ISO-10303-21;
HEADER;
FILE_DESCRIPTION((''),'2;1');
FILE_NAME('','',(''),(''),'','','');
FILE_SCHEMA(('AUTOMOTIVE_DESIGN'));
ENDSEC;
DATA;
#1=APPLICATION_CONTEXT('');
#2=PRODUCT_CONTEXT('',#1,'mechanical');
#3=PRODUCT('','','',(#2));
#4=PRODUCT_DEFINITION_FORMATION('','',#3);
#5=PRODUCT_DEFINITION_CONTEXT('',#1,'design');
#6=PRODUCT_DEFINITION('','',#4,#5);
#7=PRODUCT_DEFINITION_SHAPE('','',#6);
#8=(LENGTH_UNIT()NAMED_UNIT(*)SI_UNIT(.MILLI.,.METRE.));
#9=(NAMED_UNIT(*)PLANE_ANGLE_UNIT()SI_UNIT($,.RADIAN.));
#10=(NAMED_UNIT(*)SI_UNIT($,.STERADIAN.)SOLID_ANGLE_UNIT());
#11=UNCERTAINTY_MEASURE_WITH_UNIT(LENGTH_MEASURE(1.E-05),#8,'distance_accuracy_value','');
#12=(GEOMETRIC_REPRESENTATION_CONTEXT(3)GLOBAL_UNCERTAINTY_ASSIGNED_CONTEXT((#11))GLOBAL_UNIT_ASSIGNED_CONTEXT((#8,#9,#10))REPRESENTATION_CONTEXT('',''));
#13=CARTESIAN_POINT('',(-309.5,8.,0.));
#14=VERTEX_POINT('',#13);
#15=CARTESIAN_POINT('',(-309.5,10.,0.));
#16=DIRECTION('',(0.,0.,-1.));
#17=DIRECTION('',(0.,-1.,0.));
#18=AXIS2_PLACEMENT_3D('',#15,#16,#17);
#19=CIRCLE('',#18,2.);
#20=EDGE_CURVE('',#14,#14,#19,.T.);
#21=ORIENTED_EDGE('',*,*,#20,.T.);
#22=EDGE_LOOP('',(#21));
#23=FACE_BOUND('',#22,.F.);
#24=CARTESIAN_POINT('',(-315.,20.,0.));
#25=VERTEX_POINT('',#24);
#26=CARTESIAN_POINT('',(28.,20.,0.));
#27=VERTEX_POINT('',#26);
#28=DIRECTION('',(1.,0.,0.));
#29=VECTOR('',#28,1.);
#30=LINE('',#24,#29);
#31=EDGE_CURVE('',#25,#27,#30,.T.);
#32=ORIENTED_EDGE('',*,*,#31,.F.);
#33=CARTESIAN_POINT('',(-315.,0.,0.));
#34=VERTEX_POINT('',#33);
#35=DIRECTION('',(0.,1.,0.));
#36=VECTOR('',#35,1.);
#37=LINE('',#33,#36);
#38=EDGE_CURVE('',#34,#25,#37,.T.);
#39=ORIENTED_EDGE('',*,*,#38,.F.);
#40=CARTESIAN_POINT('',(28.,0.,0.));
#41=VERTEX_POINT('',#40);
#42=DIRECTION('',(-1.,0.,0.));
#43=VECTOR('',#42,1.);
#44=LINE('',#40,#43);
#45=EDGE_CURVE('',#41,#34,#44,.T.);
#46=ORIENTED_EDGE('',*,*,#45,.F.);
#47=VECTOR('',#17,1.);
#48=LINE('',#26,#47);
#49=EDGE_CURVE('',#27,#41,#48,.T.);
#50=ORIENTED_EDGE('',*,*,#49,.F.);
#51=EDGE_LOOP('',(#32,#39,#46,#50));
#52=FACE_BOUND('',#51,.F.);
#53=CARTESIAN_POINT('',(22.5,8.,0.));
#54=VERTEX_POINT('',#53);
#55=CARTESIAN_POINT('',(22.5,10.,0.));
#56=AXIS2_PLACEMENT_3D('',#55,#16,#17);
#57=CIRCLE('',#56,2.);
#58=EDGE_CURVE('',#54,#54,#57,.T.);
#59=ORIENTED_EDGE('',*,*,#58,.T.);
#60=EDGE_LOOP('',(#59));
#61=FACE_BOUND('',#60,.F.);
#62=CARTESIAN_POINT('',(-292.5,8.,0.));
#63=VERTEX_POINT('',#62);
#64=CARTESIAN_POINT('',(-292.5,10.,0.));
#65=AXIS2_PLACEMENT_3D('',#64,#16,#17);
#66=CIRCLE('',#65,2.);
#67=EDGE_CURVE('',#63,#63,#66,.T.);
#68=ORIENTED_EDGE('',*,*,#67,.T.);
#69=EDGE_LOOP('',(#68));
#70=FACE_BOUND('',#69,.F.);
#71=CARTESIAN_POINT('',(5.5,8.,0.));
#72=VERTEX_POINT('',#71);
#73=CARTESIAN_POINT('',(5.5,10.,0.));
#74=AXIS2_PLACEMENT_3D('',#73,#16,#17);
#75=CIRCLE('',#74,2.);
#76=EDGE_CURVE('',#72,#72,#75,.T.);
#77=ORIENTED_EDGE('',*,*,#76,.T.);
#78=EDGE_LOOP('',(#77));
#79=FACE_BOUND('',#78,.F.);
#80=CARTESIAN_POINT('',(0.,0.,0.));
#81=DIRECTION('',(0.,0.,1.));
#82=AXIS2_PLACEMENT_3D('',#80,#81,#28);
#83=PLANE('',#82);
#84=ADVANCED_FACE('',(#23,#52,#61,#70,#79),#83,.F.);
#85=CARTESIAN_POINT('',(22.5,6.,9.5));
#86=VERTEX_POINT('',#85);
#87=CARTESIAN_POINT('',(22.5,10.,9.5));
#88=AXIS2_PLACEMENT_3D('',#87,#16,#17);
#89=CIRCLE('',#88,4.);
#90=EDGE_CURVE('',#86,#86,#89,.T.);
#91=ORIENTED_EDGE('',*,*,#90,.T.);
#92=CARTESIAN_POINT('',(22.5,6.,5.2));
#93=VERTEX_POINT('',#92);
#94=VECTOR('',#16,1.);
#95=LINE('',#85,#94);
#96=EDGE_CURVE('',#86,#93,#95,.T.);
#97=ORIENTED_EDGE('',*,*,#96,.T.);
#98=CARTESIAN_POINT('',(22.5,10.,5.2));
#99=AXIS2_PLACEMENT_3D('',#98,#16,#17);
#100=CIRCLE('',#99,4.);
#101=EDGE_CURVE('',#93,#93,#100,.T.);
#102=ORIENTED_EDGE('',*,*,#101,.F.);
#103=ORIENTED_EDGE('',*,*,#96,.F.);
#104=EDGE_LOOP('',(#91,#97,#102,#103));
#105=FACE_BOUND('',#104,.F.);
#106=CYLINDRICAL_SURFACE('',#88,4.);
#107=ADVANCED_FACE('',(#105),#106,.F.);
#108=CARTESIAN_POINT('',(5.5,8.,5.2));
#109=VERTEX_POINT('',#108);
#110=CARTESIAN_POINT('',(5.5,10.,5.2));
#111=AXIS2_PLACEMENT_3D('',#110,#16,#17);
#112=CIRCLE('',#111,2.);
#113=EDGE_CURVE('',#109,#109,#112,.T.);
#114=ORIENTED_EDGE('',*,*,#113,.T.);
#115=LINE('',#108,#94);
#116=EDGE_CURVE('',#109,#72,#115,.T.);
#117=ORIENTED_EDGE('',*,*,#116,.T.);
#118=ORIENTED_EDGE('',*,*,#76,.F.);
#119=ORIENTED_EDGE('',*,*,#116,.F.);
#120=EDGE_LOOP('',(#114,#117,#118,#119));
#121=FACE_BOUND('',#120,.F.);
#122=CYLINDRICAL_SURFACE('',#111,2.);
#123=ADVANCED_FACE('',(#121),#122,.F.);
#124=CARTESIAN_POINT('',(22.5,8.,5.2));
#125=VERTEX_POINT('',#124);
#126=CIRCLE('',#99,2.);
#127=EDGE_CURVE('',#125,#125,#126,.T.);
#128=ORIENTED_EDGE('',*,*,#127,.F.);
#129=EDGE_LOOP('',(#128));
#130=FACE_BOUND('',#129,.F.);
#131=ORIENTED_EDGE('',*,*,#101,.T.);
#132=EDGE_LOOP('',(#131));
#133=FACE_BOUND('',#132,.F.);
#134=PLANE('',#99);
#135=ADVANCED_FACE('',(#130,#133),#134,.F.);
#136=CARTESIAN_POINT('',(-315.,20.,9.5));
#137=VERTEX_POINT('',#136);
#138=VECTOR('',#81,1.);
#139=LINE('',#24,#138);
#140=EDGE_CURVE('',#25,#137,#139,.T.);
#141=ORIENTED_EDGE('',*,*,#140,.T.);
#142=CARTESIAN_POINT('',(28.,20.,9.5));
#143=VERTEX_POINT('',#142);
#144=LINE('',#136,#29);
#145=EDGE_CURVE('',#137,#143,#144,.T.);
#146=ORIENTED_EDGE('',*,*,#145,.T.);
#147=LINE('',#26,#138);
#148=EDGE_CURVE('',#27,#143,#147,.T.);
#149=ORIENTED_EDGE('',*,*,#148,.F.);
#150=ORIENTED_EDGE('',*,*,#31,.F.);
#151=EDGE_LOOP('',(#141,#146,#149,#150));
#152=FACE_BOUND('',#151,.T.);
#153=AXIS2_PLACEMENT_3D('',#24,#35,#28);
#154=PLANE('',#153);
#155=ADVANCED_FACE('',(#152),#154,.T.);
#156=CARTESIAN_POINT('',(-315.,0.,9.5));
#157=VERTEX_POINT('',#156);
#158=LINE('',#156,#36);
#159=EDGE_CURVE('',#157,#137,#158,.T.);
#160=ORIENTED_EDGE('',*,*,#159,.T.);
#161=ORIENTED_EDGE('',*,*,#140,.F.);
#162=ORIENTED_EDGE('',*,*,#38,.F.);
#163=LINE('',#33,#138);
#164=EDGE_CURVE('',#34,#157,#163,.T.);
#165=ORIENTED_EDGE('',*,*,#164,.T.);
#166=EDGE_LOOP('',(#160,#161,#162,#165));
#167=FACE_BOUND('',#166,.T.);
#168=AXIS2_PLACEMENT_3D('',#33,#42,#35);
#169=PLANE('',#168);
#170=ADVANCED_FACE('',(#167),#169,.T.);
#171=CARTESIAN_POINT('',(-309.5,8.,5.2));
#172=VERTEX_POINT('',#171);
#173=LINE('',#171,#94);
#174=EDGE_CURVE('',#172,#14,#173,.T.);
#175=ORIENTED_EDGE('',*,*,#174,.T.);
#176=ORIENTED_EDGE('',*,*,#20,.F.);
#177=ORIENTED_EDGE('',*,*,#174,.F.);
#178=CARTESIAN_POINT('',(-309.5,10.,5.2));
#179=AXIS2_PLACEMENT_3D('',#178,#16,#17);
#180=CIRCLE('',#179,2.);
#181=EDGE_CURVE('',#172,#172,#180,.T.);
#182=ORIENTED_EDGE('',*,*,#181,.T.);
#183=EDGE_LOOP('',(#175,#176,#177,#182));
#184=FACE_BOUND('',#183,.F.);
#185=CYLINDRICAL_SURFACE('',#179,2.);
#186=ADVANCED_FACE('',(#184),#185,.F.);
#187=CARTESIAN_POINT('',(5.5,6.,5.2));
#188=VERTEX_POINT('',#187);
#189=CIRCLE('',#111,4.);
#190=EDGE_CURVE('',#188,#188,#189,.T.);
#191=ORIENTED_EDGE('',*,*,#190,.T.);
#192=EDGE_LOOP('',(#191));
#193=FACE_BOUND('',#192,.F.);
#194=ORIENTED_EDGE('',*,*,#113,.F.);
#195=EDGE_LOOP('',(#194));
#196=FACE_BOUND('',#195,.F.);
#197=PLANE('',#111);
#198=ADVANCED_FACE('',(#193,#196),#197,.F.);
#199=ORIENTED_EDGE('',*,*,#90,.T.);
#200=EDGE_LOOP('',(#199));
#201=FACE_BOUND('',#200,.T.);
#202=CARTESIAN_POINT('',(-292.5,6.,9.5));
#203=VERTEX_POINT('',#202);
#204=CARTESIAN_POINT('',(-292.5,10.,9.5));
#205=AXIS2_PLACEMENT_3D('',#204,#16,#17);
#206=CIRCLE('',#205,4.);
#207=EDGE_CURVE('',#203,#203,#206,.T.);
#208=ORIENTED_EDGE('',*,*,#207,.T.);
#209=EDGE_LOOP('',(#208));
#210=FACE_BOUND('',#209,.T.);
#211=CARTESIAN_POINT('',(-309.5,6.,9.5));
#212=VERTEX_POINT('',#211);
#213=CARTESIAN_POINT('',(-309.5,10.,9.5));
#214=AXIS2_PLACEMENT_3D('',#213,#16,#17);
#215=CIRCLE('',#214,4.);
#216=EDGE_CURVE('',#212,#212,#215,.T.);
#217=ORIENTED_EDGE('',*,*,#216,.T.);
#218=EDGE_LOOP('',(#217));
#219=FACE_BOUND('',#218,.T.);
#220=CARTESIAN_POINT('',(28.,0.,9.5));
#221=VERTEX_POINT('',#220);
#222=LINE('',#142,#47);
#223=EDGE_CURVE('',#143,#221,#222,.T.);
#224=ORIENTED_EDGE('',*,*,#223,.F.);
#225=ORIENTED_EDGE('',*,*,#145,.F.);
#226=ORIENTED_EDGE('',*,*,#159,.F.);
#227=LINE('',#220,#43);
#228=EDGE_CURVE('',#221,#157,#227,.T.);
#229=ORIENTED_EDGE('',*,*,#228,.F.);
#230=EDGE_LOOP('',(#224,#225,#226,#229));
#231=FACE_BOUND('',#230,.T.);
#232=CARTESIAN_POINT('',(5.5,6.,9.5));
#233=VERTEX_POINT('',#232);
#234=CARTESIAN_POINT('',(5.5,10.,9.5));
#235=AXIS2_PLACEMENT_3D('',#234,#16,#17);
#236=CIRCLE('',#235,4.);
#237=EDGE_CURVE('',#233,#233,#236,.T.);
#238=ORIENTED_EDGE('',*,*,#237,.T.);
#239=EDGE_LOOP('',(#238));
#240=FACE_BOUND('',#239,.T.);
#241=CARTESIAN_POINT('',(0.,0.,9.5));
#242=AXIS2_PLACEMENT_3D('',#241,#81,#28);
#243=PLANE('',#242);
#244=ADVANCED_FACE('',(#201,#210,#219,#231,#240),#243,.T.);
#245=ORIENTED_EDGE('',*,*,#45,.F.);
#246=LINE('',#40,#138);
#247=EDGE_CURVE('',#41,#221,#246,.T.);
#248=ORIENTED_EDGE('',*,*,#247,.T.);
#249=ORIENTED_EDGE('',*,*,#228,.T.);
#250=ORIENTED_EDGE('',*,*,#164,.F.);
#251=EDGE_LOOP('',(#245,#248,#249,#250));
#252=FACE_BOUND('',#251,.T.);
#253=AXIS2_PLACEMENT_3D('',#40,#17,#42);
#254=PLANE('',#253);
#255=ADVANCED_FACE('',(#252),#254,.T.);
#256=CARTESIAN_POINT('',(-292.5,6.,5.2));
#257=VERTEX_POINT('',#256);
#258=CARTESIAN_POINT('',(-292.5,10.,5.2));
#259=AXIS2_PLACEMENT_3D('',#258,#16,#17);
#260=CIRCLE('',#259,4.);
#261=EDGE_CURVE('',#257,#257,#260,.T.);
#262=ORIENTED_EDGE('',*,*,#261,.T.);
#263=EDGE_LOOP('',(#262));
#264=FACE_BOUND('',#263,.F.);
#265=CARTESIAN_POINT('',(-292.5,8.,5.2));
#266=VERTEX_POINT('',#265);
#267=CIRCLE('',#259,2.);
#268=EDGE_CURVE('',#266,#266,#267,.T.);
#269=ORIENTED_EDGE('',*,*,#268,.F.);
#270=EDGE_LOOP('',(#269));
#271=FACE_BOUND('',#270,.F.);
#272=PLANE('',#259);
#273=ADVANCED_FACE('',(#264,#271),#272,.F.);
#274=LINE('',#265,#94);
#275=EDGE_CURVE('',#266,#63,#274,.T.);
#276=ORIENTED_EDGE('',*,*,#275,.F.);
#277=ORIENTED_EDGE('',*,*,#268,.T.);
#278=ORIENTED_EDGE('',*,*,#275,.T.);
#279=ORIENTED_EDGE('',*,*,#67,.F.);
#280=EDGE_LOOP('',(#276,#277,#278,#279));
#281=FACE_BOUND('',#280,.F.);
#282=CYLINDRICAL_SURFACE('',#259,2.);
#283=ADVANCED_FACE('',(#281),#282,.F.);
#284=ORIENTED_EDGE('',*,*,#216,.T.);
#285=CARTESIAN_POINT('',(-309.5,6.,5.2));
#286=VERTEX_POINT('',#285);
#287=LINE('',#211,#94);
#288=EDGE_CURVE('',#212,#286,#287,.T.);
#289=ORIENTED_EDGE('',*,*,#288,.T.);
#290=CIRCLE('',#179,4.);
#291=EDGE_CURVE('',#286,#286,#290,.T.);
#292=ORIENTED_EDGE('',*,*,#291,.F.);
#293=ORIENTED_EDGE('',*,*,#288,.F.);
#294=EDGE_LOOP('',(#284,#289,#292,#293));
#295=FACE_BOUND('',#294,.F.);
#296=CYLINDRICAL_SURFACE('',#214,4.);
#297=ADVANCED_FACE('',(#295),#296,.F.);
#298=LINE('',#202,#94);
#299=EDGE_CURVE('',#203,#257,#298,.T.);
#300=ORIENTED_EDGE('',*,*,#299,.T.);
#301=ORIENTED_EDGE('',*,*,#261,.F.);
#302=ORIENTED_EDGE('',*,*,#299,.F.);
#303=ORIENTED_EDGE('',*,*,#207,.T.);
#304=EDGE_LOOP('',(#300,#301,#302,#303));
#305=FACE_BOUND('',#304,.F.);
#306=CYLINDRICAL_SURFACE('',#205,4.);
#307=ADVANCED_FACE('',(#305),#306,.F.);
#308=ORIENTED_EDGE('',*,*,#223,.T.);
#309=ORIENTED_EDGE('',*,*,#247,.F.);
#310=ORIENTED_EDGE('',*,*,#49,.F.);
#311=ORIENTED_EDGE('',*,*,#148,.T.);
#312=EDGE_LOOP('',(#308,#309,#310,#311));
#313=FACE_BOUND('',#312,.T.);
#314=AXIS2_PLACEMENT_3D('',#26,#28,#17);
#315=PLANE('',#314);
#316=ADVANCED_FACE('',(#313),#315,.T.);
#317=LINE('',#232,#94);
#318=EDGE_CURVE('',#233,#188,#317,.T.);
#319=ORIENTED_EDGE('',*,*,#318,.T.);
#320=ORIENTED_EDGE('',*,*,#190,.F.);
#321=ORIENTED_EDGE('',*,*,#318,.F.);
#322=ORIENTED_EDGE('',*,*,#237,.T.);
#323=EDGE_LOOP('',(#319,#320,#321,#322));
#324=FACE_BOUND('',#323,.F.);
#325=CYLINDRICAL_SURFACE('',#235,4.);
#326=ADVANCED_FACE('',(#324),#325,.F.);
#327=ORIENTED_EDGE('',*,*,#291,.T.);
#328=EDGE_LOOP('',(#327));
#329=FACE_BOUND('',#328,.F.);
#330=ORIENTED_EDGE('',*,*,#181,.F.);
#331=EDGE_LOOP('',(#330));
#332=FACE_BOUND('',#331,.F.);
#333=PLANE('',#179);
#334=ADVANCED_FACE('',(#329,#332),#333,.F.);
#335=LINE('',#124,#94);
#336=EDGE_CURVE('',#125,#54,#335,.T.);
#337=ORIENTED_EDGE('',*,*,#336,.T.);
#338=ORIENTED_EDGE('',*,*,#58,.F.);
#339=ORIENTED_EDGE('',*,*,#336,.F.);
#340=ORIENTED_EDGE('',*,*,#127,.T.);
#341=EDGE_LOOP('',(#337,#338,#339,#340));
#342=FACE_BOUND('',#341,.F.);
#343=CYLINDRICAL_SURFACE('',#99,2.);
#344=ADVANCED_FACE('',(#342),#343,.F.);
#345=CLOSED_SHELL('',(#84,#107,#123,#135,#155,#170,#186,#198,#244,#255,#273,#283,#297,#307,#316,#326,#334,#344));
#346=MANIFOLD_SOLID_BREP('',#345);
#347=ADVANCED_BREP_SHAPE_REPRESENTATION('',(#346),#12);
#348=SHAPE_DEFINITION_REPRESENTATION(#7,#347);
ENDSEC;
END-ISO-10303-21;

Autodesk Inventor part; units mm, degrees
ref_plane "YZ Plane" through (0, 0, 0) normal (1, 0, 0) x (0, 1, 0)
ref_plane "XZ Plane" through (0, 0, 0) normal (0, 1, 0) x (-1, 0, 0)
ref_plane "XY Plane" through (0, 0, 0) normal (0, 0, 1) x (1, 0, 0)
sketch "Esboço1" plane through (0, 0, 0) normal (0, 0, 1) x (1, 0, 0)
  circle A0 centre (5.5, 10) radius 1.621 construction
  circle A1 centre (22.5, 10) radius 1.621 construction
  line L0 (28, 0) -> (0, 0) construction
  line L1 (28, 0) -> (28, 20) construction
  line L2 (0, 20) -> (28, 20) construction
  line L3 (0, 0) -> (0, 20) construction
  circle A2 centre (-309.5, 10) radius 1.621 construction
  circle A3 centre (-292.5, 10) radius 1.621 construction
  line L4 (-287, 0) -> (-315, 0) construction
  line L5 (-287, 0) -> (-287, 20) construction
  line L6 (-315, 20) -> (-287, 20) construction
  line L7 (-315, 0) -> (-315, 20) construction
  line L8 (28, 0) -> (-315, 0)
  line L9 (-315, 0) -> (-315, 20)
  line L10 (-315, 20) -> (28, 20)
  line L11 (28, 20) -> (28, 0)
  circle A4 centre (22.5, 10) radius 1.621 construction
  circle A5 centre (5.5, 10) radius 1.621 construction
  circle A6 centre (-292.5, 10) radius 1.621 construction
  circle A7 centre (-309.5, 10) radius 1.621 construction
extrude "Extrusão1" add sketch "Esboço1" along normal blind 9.5
sketch "Esboço3" plane through (0, 0, 9.5) normal (0, 0, 1) x (1, 0, 0)
  circle A0 centre (22.5, 10) radius 1.621 construction
  circle A1 centre (5.5, 10) radius 1.621 construction
  circle A2 centre (-292.5, 10) radius 1.621 construction
  circle A3 centre (-309.5, 10) radius 1.621 construction
  point P0 (0, 0)
hole "Furo2" at (22.5, 10, 9.5) at (5.5, 10, 9.5) at (-309.5, 10, 9.5) at (-292.5, 10, 9.5) direction (0, 0, -1) diameter 4 end through all counterbore diameter 8 counterbore depth 4.3
properties part number "suporte_esbarro_barro" material "Alumínio 6061"
